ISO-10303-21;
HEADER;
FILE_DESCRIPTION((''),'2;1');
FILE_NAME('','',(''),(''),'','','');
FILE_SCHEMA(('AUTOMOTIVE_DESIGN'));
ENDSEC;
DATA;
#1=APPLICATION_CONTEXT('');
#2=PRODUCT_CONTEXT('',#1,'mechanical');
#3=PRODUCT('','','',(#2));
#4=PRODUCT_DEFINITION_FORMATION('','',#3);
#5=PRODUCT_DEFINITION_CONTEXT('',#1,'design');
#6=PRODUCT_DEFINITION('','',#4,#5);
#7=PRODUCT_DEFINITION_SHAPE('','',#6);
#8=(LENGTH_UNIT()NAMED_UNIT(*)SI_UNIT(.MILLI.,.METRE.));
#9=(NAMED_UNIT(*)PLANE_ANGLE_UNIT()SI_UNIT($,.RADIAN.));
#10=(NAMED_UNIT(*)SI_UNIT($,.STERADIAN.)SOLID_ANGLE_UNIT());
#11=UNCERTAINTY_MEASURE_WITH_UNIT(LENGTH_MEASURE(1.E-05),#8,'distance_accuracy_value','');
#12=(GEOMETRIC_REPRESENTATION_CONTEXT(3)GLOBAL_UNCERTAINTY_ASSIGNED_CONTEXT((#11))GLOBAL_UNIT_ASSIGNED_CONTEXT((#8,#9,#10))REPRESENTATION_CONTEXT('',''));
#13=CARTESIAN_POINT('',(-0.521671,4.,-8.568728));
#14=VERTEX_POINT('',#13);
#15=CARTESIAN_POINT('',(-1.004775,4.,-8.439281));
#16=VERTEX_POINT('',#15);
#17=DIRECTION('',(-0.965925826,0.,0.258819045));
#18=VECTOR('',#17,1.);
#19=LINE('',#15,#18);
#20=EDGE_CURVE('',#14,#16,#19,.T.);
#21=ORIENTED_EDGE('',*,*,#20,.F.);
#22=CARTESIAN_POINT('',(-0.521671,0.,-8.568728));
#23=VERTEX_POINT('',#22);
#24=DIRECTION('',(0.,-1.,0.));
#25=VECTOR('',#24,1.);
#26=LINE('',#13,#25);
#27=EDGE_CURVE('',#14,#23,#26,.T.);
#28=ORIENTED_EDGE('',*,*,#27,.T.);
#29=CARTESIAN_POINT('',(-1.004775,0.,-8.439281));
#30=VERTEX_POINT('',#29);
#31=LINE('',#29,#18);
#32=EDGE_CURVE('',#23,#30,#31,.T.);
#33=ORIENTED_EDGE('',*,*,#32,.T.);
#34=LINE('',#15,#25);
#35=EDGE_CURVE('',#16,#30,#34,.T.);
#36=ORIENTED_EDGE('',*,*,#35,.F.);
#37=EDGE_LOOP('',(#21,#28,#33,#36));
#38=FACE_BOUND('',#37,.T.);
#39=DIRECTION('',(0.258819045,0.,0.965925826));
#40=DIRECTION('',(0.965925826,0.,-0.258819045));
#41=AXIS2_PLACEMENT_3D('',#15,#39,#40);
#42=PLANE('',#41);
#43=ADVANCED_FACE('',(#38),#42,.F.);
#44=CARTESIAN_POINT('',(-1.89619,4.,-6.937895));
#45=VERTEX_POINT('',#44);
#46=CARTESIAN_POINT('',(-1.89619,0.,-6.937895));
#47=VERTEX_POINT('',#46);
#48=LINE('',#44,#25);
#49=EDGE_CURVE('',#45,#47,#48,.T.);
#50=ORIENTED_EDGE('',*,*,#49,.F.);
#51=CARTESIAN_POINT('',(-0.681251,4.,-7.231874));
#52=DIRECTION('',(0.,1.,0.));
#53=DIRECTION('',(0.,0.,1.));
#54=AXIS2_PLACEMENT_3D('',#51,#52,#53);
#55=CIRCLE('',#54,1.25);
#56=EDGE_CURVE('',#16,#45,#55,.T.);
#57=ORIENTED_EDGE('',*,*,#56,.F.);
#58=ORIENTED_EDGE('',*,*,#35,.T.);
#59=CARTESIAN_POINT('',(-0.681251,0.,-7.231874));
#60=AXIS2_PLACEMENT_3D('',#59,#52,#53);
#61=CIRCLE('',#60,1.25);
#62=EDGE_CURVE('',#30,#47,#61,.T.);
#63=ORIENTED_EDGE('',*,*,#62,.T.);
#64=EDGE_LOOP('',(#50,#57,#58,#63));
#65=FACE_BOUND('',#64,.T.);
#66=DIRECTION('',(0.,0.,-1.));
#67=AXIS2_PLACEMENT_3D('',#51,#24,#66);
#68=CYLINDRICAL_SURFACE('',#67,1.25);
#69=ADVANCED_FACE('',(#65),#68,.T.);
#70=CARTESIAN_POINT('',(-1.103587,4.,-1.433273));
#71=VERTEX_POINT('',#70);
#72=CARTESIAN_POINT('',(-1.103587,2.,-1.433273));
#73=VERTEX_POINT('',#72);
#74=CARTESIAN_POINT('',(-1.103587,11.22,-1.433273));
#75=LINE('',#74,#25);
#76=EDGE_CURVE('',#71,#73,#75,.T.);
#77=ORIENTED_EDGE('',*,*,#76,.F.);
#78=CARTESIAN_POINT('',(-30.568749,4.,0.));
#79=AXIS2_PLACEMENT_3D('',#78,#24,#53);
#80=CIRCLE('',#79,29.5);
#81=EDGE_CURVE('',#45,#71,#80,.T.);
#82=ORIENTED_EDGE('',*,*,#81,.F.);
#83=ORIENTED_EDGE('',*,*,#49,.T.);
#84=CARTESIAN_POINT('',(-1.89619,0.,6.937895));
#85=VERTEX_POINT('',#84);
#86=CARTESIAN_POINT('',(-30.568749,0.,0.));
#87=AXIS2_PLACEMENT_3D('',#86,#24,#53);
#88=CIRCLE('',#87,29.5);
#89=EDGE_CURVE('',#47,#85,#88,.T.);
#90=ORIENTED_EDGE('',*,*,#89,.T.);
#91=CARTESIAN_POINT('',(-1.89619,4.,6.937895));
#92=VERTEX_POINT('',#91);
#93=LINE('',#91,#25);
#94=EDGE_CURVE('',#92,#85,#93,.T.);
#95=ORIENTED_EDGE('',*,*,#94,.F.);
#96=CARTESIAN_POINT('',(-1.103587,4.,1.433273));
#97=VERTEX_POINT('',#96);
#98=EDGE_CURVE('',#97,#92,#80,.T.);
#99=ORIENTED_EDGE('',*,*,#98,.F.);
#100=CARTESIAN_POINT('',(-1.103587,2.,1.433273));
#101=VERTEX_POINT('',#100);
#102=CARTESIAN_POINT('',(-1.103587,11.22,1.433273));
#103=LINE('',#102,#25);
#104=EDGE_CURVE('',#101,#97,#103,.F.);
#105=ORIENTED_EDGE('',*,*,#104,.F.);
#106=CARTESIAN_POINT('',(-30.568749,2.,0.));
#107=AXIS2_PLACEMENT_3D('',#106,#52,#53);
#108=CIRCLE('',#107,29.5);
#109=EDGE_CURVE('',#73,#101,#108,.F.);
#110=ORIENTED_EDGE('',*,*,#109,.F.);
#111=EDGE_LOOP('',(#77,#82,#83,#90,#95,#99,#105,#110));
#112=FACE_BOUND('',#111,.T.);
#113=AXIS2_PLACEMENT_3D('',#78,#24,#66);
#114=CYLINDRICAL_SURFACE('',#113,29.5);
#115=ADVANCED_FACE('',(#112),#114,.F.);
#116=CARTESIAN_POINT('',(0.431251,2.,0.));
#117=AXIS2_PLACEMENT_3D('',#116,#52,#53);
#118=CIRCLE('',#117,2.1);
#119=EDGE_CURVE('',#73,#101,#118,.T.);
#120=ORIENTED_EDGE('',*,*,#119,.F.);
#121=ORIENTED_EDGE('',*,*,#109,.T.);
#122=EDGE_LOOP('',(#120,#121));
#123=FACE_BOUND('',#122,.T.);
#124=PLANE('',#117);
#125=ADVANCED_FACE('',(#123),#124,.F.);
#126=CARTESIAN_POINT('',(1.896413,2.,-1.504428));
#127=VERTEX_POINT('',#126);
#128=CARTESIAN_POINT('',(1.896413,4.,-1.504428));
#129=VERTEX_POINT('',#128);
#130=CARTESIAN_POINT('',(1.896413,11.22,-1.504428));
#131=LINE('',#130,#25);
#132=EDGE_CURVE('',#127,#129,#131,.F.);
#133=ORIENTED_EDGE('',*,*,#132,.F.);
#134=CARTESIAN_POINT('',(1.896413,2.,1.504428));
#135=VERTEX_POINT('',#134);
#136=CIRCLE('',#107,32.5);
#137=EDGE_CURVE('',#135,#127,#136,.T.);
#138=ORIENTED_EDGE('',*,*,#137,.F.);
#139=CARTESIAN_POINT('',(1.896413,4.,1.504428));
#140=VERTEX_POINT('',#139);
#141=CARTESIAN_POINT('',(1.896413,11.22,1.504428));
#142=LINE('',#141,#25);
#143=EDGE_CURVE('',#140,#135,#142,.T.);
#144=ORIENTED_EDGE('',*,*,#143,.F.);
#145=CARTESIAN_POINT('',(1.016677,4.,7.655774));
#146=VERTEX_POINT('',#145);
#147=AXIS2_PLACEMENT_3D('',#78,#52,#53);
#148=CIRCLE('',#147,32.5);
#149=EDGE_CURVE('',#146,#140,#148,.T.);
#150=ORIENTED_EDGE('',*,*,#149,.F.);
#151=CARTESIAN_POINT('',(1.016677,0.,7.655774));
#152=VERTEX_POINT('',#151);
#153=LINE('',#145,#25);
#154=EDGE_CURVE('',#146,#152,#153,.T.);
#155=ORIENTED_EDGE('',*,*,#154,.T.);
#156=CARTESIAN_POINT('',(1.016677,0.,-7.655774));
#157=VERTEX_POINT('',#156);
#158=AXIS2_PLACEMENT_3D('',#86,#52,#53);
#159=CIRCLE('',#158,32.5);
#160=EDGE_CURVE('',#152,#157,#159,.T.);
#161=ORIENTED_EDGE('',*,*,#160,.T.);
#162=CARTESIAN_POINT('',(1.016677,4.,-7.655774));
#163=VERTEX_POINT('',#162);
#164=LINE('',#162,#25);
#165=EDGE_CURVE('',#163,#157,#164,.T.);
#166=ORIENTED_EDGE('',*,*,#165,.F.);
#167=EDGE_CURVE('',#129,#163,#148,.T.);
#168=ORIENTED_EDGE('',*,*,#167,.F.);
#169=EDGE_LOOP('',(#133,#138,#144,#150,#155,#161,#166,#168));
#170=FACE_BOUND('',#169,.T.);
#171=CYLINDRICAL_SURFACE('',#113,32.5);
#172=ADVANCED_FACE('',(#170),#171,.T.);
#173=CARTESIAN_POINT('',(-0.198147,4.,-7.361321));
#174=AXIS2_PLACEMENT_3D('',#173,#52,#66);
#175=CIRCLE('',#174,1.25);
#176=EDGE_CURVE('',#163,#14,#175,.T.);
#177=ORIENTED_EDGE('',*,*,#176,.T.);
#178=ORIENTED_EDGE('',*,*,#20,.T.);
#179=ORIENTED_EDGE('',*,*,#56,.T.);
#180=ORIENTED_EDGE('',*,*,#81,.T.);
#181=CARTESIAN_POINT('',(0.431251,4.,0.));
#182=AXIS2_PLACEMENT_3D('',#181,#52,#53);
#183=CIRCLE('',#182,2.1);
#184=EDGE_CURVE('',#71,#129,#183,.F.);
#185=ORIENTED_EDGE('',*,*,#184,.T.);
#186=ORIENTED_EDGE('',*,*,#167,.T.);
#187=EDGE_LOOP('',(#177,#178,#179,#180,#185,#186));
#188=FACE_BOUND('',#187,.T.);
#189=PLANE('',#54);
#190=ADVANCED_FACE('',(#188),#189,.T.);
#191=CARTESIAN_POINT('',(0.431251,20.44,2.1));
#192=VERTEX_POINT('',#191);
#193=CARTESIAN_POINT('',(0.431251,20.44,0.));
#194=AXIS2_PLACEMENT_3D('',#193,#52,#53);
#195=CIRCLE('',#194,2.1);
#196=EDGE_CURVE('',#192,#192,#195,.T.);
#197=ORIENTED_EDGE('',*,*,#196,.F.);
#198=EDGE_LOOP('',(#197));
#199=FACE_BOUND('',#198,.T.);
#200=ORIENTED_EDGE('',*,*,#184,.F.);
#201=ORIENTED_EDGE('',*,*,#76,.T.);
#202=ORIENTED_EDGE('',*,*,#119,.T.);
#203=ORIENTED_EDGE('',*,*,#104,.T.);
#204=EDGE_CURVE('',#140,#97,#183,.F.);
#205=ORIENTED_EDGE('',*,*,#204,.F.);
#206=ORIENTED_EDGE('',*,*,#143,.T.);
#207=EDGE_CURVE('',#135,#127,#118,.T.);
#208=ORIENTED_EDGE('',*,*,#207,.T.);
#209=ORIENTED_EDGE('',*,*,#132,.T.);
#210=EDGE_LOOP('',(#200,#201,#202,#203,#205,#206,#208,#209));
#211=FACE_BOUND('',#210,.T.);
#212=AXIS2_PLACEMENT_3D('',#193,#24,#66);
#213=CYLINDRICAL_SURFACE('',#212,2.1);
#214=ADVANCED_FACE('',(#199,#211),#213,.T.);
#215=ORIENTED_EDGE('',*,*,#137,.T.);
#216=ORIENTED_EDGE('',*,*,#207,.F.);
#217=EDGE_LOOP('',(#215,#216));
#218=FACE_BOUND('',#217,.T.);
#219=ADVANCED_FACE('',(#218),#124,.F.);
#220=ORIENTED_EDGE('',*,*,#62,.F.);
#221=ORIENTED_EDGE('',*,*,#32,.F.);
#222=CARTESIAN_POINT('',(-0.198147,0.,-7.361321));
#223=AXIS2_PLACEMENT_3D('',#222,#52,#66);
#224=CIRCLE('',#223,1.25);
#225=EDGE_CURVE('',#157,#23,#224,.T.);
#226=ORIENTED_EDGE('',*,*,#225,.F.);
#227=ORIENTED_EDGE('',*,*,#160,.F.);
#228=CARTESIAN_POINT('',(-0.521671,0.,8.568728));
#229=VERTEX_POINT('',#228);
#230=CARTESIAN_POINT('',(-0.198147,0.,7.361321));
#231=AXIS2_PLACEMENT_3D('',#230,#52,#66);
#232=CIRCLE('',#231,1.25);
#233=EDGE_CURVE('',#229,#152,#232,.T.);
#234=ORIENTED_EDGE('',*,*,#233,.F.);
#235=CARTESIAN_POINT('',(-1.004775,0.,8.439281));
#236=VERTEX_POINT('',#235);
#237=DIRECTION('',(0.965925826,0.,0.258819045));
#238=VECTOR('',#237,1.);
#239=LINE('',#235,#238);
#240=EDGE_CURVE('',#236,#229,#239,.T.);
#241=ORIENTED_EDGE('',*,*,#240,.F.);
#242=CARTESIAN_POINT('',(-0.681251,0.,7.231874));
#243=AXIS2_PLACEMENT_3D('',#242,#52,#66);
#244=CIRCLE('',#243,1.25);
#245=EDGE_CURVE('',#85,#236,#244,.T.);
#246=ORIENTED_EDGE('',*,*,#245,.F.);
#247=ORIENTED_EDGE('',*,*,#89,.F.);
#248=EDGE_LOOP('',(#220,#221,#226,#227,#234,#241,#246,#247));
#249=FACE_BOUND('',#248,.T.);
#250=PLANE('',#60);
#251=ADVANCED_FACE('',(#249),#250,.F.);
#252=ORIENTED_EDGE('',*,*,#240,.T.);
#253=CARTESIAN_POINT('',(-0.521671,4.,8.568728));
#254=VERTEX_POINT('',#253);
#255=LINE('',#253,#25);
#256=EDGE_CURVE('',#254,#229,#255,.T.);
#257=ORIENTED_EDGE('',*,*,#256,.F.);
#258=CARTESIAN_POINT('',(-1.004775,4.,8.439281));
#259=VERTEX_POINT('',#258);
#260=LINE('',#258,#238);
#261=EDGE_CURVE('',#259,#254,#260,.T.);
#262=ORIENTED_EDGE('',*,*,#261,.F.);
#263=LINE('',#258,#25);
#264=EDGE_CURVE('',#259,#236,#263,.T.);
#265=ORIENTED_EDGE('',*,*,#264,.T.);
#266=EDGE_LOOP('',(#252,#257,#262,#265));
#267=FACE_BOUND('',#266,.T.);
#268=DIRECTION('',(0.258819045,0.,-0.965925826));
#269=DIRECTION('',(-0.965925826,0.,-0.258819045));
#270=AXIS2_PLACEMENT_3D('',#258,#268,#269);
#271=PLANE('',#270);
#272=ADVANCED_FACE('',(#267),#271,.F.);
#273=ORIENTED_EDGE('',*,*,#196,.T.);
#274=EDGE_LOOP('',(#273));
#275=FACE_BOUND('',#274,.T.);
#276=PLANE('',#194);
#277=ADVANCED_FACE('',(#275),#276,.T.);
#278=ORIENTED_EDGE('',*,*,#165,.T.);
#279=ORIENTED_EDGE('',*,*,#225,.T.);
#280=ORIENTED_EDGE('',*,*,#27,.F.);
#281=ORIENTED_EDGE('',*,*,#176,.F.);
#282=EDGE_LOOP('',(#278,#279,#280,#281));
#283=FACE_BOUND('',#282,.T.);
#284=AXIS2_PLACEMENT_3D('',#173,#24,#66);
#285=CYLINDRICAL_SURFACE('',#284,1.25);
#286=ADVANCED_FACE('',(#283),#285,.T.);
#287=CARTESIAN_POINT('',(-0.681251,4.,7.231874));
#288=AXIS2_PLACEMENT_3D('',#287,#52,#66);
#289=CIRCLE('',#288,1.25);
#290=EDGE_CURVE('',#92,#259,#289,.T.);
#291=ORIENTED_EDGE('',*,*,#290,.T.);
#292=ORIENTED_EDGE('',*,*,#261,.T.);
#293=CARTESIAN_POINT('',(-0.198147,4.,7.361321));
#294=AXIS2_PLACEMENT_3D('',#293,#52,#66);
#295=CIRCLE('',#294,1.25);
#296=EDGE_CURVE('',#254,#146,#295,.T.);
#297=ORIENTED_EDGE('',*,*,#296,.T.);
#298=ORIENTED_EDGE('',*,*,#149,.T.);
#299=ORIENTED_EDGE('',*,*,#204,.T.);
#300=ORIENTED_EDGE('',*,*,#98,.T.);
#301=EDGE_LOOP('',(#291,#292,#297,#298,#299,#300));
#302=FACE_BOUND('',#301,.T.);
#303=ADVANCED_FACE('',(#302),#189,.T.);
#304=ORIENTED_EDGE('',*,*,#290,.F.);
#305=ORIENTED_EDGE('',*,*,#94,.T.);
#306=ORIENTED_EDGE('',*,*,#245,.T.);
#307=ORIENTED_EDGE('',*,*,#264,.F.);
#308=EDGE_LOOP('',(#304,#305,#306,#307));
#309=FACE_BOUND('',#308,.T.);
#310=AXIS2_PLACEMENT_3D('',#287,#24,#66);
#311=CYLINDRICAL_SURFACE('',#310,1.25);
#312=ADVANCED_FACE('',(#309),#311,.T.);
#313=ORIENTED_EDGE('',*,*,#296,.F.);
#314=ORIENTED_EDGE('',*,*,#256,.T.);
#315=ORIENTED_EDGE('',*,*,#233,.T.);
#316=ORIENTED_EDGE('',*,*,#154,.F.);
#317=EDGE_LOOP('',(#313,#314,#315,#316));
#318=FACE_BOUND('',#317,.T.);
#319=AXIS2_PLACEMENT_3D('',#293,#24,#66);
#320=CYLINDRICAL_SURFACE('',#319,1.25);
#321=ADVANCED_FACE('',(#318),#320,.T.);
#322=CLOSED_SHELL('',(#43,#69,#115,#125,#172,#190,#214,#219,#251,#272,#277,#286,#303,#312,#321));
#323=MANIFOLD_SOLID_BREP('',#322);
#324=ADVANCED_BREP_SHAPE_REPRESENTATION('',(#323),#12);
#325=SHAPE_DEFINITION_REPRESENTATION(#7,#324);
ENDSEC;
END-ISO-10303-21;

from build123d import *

# Parameters (mm, degrees)
EXTRUDE_1_DEPTH = 4
SKETCH_2_R      = 2.1
EXTRUDE_2_DEPTH = 18.44


with BuildPart() as part:
    # Эскиз1 → Бобышка-Вытянуть1 (new body)
    with BuildSketch(Plane(origin=(0, 0, 0), x_dir=(1, 0, 0), z_dir=(0, 1, 0))):
        with BuildLine():
            Line((-1.004775086, -8.439280951), (-0.521670756, -8.568728366))
            ThreePointArc((-0.521670756, -8.568728366), (0.439799359, -8.436274341), (1.016677121, -7.655773926))
            ThreePointArc((1.016677121, -7.655773926), (1.93125128, 0), (1.016677121, 7.655773926))
            ThreePointArc((1.016677121, 7.655773926), (0.439799359, 8.436274341), (-0.521670756, 8.568728366))
            Line((-0.521670756, 8.568728366), (-1.004775086, 8.439280951))
            ThreePointArc((-1.004775086, 8.439280951), (-1.756080004, 7.870029772), (-1.8961902, 6.937895063))
            ThreePointArc((-1.8961902, 6.937895063), (-1.06874872, 0), (-1.8961902, -6.937895063))
            ThreePointArc((-1.8961902, -6.937895063), (-1.756080004, -7.870029772), (-1.004775086, -8.439280951))
        make_face()
    extrude(amount=EXTRUDE_1_DEPTH)

    # Эскиз2 → Бобышка-Вытянуть2 (add)
    with BuildSketch(Plane(origin=(0, 2, 0), x_dir=(1, 0, 0), z_dir=(0, 1, 0))):
        with Locations(Location((0.43125128, 0, 0), (0, 0, 45.757566992))):
            Circle(SKETCH_2_R)
    extrude(amount=EXTRUDE_2_DEPTH)


solid = part.part
